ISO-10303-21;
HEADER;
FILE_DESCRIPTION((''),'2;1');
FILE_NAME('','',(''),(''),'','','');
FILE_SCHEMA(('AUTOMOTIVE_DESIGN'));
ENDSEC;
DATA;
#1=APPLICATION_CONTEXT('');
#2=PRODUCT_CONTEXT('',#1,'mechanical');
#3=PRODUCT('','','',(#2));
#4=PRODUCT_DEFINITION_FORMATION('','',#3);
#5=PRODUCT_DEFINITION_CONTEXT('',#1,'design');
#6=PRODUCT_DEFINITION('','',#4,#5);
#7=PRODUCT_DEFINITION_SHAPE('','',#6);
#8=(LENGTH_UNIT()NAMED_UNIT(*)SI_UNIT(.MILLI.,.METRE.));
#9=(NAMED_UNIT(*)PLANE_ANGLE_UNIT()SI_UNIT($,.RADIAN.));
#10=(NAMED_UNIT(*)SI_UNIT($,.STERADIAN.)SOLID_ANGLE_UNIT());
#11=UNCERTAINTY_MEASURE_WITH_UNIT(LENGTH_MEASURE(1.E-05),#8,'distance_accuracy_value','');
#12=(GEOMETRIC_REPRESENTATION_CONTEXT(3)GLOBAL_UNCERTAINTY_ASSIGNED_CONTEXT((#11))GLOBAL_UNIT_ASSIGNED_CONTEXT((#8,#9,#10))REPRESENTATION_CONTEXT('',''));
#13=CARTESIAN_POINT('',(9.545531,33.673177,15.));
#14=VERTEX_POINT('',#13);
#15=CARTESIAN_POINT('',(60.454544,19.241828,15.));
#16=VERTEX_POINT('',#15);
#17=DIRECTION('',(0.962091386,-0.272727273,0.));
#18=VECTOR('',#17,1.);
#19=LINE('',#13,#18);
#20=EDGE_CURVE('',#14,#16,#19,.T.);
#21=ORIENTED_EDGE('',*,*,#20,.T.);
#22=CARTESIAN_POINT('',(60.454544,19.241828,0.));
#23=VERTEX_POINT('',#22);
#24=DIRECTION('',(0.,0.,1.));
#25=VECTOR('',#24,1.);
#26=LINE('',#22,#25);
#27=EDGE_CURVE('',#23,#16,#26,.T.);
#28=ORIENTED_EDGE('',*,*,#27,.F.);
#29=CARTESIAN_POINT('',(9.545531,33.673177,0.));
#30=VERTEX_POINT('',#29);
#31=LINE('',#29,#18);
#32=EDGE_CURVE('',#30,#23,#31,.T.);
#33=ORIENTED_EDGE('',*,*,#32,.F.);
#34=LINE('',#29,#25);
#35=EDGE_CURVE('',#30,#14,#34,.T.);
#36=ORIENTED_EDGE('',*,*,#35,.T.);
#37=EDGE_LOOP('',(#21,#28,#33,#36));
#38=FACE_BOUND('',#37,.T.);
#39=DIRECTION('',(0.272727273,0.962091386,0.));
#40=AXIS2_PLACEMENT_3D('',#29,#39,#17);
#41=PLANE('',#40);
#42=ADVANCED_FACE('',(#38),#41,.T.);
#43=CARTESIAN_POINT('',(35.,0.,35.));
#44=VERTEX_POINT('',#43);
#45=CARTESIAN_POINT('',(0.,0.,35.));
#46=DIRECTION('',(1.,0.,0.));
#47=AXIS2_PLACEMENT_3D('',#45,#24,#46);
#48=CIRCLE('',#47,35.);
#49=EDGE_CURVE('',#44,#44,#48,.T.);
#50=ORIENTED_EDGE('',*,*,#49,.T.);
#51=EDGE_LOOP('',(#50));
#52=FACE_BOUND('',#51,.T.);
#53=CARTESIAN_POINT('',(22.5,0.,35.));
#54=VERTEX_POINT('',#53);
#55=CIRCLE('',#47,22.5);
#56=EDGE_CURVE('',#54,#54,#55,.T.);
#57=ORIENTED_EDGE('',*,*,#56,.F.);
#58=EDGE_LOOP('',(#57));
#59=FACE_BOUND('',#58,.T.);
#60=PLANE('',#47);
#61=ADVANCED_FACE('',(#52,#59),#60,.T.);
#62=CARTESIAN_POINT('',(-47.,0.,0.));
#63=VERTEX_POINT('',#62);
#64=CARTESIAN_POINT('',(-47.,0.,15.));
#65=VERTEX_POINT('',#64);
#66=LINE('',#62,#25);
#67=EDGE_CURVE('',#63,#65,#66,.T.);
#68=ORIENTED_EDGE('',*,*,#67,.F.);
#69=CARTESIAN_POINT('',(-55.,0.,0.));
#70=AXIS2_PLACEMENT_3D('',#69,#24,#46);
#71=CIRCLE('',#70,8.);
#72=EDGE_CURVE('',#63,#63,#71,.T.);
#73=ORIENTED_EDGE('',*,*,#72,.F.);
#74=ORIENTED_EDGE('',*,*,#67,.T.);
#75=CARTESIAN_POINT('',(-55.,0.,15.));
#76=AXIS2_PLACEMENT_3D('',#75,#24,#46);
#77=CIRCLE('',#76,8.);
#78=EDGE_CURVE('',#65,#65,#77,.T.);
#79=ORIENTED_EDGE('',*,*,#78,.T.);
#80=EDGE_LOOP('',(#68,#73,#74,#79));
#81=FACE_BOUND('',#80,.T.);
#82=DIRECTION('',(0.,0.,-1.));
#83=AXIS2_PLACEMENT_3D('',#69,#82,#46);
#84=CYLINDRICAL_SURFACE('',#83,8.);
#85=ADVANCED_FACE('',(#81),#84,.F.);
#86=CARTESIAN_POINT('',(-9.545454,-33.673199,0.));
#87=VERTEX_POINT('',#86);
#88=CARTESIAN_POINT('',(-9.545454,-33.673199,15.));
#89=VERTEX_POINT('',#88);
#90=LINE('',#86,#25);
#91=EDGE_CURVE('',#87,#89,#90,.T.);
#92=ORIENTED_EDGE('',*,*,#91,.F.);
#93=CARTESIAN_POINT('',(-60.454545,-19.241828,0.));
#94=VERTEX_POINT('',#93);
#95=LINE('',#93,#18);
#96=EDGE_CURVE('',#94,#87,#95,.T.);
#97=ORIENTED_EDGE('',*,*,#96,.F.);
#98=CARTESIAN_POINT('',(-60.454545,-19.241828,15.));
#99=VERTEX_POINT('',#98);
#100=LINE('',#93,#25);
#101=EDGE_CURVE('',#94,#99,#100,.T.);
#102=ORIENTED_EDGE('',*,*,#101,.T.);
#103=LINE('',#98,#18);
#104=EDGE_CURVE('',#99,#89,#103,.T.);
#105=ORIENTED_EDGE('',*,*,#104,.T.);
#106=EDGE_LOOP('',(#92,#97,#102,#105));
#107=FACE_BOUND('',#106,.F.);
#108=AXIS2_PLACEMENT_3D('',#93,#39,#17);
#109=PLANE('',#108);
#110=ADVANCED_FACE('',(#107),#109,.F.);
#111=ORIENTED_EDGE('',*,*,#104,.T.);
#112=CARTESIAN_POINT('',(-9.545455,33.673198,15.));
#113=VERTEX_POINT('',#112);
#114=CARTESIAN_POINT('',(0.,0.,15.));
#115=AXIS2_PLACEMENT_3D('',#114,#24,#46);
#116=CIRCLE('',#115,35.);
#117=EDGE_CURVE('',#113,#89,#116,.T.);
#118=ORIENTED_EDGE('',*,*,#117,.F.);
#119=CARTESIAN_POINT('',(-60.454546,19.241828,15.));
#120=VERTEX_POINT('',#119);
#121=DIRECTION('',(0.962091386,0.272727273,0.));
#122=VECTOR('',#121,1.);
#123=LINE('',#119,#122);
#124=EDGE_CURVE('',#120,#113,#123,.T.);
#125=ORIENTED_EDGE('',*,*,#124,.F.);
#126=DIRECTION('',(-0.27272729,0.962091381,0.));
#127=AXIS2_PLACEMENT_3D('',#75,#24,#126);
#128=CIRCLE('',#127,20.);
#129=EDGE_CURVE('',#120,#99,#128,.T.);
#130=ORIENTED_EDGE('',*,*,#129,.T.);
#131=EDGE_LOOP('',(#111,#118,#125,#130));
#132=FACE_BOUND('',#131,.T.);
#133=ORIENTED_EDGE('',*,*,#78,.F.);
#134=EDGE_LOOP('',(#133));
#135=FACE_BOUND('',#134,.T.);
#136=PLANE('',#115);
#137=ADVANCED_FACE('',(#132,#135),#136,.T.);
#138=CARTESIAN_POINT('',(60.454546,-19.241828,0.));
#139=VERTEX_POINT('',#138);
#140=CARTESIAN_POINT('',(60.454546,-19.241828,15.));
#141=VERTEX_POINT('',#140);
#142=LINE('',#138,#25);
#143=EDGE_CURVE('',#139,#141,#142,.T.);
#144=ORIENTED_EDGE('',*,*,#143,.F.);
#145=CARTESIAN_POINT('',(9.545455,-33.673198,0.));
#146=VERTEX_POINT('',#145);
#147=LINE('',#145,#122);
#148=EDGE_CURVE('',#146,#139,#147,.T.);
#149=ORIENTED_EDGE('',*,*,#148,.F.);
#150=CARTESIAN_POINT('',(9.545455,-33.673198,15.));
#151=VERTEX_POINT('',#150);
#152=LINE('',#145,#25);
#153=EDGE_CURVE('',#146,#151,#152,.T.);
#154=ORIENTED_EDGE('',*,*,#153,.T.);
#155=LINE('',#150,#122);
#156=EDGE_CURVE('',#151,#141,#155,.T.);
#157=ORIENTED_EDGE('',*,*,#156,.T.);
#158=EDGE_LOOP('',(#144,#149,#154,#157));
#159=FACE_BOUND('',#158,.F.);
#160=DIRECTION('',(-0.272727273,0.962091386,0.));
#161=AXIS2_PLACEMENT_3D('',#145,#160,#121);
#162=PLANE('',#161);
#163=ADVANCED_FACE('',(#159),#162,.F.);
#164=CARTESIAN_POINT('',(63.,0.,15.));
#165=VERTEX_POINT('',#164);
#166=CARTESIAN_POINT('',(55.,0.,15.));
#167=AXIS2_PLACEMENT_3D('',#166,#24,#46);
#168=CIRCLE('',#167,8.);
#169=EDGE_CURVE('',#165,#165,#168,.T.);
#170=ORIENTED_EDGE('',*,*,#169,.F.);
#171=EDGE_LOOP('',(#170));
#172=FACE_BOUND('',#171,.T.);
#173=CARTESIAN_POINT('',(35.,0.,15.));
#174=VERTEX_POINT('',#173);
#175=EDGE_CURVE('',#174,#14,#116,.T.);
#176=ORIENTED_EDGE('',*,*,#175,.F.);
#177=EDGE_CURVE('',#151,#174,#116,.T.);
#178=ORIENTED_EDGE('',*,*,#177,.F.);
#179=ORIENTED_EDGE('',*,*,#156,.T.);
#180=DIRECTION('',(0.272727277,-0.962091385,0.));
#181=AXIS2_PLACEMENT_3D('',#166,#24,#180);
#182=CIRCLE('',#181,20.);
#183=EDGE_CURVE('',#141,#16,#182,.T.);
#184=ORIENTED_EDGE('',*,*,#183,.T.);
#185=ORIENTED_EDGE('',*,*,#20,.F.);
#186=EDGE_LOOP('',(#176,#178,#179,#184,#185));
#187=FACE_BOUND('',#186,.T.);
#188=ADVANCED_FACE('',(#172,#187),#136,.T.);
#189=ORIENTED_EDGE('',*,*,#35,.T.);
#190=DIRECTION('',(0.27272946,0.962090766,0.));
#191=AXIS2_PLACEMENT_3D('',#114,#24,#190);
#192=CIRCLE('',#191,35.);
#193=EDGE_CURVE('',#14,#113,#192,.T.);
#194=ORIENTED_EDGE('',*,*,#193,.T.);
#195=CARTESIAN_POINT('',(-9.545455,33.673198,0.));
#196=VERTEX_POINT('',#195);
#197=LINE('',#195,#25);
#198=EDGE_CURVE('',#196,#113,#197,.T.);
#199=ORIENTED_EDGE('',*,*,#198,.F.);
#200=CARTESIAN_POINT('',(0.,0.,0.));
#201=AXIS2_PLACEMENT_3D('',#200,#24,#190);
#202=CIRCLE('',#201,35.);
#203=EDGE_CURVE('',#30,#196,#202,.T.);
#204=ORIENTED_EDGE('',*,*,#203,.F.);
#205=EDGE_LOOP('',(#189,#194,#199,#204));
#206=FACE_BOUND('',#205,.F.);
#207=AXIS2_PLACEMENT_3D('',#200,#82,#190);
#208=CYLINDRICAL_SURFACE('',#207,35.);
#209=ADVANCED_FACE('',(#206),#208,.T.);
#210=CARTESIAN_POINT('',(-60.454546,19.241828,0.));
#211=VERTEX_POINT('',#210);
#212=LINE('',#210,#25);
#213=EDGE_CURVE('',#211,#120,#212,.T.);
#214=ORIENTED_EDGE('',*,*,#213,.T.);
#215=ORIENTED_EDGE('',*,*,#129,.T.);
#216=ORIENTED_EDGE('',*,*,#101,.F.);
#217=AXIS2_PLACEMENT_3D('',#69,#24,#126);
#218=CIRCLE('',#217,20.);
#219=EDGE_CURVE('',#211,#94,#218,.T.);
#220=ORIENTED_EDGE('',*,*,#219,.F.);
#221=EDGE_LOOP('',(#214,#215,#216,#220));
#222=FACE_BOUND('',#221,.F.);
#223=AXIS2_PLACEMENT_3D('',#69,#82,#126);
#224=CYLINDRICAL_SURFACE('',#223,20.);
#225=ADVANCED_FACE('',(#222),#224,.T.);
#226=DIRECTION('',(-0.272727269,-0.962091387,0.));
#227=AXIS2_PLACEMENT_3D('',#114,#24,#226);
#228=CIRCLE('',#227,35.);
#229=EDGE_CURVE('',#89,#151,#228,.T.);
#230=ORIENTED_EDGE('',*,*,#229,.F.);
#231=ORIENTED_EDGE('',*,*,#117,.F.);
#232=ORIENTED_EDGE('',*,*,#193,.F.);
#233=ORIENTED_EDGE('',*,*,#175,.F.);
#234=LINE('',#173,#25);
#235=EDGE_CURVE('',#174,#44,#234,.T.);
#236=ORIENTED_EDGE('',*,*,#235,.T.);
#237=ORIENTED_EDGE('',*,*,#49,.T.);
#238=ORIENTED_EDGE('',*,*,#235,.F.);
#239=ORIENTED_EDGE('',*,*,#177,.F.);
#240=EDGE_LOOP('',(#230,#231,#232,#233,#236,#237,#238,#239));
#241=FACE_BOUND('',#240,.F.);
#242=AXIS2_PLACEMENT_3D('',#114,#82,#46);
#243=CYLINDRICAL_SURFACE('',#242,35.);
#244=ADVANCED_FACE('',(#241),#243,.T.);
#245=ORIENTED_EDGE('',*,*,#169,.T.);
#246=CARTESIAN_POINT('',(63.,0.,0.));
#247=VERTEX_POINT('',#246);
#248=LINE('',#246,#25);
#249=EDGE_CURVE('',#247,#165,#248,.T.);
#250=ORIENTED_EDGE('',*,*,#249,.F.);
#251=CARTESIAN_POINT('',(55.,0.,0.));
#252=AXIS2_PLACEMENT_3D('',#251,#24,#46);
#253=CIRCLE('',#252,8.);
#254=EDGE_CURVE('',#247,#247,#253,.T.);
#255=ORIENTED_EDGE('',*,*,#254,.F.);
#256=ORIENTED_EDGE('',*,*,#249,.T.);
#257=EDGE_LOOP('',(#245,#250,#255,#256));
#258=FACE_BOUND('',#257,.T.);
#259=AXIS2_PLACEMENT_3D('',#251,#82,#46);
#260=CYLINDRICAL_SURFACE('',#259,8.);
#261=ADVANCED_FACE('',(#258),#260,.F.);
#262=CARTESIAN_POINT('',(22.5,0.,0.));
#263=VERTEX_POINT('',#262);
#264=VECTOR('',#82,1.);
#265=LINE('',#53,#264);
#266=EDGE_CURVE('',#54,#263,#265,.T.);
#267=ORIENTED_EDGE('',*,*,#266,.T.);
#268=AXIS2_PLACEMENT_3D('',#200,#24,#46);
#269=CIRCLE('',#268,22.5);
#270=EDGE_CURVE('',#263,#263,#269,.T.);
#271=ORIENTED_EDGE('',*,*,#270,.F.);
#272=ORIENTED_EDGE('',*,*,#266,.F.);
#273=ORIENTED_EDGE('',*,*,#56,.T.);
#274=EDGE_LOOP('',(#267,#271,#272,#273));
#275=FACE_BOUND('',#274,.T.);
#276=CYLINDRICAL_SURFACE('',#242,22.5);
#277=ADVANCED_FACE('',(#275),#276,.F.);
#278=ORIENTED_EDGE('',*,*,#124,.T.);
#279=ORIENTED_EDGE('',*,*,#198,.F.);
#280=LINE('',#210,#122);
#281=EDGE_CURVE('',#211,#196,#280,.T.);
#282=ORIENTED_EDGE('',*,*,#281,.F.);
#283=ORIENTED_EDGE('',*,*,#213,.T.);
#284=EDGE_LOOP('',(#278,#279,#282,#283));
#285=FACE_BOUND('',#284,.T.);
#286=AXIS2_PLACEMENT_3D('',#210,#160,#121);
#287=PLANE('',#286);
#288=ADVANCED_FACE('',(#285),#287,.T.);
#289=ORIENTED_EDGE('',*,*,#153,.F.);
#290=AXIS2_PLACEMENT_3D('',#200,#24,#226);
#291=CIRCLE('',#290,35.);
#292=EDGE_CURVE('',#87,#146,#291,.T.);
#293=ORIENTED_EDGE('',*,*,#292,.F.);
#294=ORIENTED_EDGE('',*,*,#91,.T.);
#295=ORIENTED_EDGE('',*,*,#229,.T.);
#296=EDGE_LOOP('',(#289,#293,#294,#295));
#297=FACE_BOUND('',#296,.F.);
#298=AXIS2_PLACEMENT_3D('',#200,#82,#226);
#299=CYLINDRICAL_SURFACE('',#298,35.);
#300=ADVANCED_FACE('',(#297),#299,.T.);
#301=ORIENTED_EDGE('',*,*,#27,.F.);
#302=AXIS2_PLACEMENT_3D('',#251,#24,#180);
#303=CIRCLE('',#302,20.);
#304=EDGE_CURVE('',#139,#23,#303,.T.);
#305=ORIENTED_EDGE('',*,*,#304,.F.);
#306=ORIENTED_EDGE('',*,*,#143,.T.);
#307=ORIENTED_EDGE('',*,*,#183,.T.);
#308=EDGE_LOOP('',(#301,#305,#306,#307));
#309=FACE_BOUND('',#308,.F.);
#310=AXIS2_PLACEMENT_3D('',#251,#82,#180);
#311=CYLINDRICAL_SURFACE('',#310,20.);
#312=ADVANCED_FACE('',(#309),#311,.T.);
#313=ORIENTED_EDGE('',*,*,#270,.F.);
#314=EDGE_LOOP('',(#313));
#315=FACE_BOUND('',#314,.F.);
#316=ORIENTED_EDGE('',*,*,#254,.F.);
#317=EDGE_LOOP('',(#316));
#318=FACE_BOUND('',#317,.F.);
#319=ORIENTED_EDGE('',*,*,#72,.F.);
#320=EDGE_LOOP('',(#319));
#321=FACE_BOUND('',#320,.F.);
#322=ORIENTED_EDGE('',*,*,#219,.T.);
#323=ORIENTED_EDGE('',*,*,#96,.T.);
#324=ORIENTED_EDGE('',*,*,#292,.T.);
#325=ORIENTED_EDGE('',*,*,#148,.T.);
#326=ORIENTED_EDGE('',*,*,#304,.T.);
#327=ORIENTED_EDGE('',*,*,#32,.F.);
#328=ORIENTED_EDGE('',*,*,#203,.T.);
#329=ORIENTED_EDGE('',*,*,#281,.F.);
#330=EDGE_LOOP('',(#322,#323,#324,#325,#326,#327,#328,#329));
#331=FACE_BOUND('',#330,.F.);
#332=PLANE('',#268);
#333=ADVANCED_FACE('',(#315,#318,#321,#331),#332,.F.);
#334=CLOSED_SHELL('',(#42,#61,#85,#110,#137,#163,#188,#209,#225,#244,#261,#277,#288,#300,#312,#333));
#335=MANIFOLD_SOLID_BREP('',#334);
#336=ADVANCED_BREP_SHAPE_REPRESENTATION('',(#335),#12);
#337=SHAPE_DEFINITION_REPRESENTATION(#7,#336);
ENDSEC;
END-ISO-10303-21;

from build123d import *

# Parameters (mm, degrees)
SKETCH_R      = 22.5
SKETCH_R_2    = 8
PAD_DEPTH     = 15
SKETCH002_R   = 35
SKETCH002_R_2 = 22.5
PAD001_DEPTH  = 20


with BuildPart() as part:
    # Sketch → Pad (new body)
    with BuildSketch(Plane.XY):
        with BuildLine():
            ThreePointArc((9.5455310911, 33.6731768057), (3.97682e-05, 35), (-9.5454545699, 33.6731984975))
            Line((-60.4545457907, 19.2418276215), (-9.5454545698, 33.6731984975))
            ThreePointArc((-60.4545457907, 19.2418276215), (-75, -1.844e-07), (-60.4545454359, -19.2418277221))
            Line((-60.4545454359, -19.2418277221), (-9.5454544023, -33.673198545))
            ThreePointArc((-9.5454544023, -33.673198545), (3.842e-07, -35), (9.5454551416, -33.6731983355))
            Line((9.5454551416, -33.6731983355), (60.4545455403, -19.2418276925))
            ThreePointArc((60.4545455403, -19.2418276925), (75, 6.189e-07), (60.4545443494, 19.2418280301))
            Line((9.5455310911, 33.6731768057), (60.4545443495, 19.2418280301))
        make_face()
        Circle(SKETCH_R, mode=Mode.SUBTRACT)
        with Locations((-55, 0)):
            Circle(SKETCH_R_2, mode=Mode.SUBTRACT)
        with Locations((55, 0)):
            Circle(SKETCH_R_2, mode=Mode.SUBTRACT)
    extrude(amount=PAD_DEPTH)

    # Sketch002 → Pad001 (new body)
    with BuildSketch(Plane.XY.offset(15)):
        Circle(SKETCH002_R)
        Circle(SKETCH002_R_2, mode=Mode.SUBTRACT)
    extrude(amount=PAD001_DEPTH)


solid = part.part
